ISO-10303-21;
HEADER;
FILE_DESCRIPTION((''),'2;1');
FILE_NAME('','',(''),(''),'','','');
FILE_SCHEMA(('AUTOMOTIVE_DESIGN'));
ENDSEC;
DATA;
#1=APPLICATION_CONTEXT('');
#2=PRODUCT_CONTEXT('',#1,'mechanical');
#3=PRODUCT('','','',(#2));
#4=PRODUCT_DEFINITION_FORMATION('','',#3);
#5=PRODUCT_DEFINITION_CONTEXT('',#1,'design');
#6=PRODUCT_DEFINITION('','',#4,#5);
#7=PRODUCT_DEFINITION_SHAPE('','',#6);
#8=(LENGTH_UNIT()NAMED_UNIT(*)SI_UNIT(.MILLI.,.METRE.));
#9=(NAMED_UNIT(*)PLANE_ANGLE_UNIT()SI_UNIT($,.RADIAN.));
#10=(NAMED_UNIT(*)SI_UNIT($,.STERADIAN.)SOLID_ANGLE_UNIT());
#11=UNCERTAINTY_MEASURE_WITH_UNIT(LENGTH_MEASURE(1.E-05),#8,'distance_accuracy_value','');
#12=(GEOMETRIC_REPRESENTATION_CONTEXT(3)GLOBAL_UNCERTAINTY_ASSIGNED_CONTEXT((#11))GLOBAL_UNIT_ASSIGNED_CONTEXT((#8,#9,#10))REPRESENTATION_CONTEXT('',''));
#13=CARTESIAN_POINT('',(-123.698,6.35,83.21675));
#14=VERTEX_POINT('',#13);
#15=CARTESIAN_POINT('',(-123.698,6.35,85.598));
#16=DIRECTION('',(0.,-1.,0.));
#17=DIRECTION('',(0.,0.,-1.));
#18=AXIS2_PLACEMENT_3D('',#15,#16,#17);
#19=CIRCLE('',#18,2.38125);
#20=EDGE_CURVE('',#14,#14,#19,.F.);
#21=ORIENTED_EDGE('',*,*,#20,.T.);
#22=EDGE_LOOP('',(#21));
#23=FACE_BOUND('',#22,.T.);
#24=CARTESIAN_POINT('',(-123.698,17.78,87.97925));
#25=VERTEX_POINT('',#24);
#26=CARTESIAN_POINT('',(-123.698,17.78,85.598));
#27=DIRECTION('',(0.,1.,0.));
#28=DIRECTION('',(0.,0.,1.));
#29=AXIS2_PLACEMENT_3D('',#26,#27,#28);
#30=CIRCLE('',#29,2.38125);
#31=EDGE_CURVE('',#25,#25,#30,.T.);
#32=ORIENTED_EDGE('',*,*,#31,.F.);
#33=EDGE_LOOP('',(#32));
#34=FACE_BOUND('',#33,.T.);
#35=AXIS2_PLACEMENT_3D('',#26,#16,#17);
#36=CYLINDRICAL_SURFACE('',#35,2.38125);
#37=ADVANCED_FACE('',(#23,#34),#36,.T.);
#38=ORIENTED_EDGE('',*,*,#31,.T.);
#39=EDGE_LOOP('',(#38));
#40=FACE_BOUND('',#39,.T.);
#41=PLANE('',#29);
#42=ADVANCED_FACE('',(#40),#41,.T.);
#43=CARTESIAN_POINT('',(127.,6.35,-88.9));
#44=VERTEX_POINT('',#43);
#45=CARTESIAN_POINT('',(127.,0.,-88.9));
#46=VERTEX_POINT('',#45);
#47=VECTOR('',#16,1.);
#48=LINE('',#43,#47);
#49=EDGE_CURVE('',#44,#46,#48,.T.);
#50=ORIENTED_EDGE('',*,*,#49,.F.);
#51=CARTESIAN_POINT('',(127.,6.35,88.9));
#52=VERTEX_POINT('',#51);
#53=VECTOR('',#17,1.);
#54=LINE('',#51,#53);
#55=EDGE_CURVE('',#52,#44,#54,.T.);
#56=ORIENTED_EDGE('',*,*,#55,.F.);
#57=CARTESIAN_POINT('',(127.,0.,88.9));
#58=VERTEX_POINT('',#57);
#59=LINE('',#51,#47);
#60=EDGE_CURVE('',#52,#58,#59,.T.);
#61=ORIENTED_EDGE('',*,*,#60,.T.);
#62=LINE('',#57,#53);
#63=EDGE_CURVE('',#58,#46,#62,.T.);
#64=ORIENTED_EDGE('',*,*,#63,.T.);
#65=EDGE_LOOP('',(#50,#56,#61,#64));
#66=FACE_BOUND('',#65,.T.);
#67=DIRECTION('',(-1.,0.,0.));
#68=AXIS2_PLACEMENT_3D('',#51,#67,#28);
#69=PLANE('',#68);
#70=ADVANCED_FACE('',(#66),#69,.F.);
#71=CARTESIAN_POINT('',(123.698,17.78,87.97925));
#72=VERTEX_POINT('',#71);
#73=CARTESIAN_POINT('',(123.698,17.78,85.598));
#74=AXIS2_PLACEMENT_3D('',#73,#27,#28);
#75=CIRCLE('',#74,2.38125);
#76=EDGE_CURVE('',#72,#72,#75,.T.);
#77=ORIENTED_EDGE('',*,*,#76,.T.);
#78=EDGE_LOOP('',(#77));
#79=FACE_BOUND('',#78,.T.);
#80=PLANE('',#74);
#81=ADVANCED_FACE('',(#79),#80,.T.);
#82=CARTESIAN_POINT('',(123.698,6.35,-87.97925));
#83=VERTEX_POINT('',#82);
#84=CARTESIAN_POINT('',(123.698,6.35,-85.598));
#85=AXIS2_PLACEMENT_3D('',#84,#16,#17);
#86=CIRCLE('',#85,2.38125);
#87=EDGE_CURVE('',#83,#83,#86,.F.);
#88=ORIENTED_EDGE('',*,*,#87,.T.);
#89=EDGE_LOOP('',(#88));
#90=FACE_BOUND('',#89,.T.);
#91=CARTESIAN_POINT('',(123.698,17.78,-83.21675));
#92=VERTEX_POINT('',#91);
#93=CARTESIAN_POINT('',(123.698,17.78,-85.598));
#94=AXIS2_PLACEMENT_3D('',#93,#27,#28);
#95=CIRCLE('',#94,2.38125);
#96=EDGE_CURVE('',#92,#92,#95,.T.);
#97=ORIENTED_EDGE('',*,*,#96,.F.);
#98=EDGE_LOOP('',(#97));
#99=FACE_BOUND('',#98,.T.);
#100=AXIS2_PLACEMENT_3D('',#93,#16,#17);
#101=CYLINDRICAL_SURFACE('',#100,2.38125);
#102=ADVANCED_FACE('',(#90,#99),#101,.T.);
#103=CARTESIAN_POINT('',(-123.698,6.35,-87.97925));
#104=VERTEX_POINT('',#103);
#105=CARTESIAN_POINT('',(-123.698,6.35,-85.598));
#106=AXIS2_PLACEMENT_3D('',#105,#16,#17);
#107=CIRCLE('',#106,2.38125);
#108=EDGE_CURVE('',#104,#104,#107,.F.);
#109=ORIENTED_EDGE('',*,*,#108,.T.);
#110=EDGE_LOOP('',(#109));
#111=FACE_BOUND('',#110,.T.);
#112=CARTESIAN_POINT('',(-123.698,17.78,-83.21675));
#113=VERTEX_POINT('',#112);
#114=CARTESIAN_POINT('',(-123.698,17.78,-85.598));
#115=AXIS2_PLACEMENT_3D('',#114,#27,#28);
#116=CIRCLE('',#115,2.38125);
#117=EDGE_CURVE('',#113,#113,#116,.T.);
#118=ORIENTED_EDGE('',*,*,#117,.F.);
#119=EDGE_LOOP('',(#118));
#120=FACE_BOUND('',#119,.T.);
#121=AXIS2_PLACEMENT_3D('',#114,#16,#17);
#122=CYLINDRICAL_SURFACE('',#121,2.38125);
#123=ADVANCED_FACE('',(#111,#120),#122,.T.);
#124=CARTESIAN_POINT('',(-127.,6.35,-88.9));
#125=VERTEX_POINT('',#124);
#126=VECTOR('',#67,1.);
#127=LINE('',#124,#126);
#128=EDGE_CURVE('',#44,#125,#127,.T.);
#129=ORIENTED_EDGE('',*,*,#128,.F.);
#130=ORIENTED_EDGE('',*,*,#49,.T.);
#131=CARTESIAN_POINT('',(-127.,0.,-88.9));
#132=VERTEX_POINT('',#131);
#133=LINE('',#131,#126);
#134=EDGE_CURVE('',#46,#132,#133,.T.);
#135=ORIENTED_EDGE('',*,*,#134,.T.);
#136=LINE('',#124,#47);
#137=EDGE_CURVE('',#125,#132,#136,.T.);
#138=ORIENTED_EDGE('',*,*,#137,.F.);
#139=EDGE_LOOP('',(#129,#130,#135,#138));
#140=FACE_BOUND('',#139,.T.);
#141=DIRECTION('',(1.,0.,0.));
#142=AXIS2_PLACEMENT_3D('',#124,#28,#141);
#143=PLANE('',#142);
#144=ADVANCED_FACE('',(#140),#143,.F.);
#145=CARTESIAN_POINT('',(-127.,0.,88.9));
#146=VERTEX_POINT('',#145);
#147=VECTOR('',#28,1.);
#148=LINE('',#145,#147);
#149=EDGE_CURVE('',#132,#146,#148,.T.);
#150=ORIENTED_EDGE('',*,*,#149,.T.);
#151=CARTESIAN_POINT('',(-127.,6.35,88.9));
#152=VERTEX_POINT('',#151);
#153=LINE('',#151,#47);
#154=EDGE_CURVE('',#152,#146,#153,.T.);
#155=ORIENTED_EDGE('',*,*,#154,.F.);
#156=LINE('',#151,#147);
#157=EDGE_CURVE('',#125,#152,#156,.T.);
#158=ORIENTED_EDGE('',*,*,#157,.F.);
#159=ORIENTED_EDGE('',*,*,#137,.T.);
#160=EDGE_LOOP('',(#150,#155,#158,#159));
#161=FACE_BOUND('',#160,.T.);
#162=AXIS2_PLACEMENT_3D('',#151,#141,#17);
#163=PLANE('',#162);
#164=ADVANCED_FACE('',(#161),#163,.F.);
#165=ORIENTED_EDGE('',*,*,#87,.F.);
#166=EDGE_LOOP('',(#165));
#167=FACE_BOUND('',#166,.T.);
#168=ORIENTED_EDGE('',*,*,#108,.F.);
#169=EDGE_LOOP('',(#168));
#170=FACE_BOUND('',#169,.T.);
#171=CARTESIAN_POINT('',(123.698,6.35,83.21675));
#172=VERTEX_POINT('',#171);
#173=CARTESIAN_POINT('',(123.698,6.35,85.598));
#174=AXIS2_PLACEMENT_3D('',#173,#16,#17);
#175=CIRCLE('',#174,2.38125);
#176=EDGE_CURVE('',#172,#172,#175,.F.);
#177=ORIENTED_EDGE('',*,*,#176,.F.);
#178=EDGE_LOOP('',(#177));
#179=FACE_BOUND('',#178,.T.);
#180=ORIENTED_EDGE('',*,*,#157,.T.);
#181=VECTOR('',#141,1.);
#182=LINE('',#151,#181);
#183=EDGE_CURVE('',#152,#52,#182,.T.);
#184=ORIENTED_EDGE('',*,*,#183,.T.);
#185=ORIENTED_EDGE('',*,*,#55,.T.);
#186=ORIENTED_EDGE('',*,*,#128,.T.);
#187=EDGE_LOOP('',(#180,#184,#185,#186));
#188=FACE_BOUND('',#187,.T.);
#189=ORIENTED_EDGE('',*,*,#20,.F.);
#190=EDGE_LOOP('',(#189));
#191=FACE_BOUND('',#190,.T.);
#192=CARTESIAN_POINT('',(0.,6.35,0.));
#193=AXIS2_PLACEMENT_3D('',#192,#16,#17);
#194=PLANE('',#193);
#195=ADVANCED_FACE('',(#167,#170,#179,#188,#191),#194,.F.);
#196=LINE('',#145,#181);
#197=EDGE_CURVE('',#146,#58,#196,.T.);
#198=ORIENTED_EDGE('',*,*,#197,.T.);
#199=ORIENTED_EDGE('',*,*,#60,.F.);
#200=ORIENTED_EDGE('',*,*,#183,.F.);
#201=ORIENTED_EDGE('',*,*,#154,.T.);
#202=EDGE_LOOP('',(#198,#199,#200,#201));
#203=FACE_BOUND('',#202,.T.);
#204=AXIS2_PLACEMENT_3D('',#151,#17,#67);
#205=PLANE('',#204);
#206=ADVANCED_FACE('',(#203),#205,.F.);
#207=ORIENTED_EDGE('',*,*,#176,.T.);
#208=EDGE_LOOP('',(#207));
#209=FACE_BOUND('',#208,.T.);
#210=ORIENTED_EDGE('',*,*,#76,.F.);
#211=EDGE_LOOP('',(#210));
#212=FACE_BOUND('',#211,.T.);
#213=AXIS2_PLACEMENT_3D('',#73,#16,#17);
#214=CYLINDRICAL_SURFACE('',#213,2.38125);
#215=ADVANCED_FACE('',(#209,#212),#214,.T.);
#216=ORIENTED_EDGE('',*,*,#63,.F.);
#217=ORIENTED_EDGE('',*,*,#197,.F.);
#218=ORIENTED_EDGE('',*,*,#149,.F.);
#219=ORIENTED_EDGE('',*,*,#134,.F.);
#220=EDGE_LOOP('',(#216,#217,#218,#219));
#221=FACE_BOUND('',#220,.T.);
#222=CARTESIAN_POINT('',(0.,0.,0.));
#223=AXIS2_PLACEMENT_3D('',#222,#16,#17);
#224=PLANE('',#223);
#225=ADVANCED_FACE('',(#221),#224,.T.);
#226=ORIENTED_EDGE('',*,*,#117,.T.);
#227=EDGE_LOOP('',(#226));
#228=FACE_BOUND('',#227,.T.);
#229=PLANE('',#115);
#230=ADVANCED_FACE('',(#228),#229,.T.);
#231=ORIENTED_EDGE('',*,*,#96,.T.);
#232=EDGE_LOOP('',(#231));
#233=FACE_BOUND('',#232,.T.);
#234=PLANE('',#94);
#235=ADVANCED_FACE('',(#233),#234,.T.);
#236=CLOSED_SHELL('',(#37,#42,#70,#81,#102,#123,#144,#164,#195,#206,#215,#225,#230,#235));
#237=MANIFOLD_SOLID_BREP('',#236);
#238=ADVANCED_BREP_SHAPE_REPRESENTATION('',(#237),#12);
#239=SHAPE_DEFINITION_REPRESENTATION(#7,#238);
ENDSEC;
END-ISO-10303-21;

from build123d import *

# Parameters (mm, degrees)
SKETCH1_W           = 254
SKETCH1_H           = 177.8
BOSS_EXTRUDE1_DEPTH = 6.35
SKETCH2_R           = 2.38125
BOSS_EXTRUDE2_DEPTH = 11.43


with BuildPart() as part:
    # Sketch1 → Boss-Extrude1 (new body)
    with BuildSketch(Plane(origin=(0, 0, 0), x_dir=(1, 0, 0), z_dir=(0, 1, 0))):
        Rectangle(SKETCH1_W, SKETCH1_H)
    extrude(amount=BOSS_EXTRUDE1_DEPTH)

    # Sketch2 → Boss-Extrude2 (add)
    with BuildSketch(Plane(origin=(0, 6.35, 0), x_dir=(1, 0, 0), z_dir=(0, 1, 0))):
        with Locations(Location((-123.698, -85.598, 0), (0, 0, 90))):
            Circle(SKETCH2_R)
        with Locations(Location((-123.698, 85.598, 0), (0, 0, 90))):
            Circle(SKETCH2_R)
        with Locations(Location((123.698, 85.598, 0), (0, 0, 90))):
            Circle(SKETCH2_R)
        with Locations(Location((123.698, -85.598, 0), (0, 0, 90))):
            Circle(SKETCH2_R)
    extrude(amount=BOSS_EXTRUDE2_DEPTH)


solid = part.part
